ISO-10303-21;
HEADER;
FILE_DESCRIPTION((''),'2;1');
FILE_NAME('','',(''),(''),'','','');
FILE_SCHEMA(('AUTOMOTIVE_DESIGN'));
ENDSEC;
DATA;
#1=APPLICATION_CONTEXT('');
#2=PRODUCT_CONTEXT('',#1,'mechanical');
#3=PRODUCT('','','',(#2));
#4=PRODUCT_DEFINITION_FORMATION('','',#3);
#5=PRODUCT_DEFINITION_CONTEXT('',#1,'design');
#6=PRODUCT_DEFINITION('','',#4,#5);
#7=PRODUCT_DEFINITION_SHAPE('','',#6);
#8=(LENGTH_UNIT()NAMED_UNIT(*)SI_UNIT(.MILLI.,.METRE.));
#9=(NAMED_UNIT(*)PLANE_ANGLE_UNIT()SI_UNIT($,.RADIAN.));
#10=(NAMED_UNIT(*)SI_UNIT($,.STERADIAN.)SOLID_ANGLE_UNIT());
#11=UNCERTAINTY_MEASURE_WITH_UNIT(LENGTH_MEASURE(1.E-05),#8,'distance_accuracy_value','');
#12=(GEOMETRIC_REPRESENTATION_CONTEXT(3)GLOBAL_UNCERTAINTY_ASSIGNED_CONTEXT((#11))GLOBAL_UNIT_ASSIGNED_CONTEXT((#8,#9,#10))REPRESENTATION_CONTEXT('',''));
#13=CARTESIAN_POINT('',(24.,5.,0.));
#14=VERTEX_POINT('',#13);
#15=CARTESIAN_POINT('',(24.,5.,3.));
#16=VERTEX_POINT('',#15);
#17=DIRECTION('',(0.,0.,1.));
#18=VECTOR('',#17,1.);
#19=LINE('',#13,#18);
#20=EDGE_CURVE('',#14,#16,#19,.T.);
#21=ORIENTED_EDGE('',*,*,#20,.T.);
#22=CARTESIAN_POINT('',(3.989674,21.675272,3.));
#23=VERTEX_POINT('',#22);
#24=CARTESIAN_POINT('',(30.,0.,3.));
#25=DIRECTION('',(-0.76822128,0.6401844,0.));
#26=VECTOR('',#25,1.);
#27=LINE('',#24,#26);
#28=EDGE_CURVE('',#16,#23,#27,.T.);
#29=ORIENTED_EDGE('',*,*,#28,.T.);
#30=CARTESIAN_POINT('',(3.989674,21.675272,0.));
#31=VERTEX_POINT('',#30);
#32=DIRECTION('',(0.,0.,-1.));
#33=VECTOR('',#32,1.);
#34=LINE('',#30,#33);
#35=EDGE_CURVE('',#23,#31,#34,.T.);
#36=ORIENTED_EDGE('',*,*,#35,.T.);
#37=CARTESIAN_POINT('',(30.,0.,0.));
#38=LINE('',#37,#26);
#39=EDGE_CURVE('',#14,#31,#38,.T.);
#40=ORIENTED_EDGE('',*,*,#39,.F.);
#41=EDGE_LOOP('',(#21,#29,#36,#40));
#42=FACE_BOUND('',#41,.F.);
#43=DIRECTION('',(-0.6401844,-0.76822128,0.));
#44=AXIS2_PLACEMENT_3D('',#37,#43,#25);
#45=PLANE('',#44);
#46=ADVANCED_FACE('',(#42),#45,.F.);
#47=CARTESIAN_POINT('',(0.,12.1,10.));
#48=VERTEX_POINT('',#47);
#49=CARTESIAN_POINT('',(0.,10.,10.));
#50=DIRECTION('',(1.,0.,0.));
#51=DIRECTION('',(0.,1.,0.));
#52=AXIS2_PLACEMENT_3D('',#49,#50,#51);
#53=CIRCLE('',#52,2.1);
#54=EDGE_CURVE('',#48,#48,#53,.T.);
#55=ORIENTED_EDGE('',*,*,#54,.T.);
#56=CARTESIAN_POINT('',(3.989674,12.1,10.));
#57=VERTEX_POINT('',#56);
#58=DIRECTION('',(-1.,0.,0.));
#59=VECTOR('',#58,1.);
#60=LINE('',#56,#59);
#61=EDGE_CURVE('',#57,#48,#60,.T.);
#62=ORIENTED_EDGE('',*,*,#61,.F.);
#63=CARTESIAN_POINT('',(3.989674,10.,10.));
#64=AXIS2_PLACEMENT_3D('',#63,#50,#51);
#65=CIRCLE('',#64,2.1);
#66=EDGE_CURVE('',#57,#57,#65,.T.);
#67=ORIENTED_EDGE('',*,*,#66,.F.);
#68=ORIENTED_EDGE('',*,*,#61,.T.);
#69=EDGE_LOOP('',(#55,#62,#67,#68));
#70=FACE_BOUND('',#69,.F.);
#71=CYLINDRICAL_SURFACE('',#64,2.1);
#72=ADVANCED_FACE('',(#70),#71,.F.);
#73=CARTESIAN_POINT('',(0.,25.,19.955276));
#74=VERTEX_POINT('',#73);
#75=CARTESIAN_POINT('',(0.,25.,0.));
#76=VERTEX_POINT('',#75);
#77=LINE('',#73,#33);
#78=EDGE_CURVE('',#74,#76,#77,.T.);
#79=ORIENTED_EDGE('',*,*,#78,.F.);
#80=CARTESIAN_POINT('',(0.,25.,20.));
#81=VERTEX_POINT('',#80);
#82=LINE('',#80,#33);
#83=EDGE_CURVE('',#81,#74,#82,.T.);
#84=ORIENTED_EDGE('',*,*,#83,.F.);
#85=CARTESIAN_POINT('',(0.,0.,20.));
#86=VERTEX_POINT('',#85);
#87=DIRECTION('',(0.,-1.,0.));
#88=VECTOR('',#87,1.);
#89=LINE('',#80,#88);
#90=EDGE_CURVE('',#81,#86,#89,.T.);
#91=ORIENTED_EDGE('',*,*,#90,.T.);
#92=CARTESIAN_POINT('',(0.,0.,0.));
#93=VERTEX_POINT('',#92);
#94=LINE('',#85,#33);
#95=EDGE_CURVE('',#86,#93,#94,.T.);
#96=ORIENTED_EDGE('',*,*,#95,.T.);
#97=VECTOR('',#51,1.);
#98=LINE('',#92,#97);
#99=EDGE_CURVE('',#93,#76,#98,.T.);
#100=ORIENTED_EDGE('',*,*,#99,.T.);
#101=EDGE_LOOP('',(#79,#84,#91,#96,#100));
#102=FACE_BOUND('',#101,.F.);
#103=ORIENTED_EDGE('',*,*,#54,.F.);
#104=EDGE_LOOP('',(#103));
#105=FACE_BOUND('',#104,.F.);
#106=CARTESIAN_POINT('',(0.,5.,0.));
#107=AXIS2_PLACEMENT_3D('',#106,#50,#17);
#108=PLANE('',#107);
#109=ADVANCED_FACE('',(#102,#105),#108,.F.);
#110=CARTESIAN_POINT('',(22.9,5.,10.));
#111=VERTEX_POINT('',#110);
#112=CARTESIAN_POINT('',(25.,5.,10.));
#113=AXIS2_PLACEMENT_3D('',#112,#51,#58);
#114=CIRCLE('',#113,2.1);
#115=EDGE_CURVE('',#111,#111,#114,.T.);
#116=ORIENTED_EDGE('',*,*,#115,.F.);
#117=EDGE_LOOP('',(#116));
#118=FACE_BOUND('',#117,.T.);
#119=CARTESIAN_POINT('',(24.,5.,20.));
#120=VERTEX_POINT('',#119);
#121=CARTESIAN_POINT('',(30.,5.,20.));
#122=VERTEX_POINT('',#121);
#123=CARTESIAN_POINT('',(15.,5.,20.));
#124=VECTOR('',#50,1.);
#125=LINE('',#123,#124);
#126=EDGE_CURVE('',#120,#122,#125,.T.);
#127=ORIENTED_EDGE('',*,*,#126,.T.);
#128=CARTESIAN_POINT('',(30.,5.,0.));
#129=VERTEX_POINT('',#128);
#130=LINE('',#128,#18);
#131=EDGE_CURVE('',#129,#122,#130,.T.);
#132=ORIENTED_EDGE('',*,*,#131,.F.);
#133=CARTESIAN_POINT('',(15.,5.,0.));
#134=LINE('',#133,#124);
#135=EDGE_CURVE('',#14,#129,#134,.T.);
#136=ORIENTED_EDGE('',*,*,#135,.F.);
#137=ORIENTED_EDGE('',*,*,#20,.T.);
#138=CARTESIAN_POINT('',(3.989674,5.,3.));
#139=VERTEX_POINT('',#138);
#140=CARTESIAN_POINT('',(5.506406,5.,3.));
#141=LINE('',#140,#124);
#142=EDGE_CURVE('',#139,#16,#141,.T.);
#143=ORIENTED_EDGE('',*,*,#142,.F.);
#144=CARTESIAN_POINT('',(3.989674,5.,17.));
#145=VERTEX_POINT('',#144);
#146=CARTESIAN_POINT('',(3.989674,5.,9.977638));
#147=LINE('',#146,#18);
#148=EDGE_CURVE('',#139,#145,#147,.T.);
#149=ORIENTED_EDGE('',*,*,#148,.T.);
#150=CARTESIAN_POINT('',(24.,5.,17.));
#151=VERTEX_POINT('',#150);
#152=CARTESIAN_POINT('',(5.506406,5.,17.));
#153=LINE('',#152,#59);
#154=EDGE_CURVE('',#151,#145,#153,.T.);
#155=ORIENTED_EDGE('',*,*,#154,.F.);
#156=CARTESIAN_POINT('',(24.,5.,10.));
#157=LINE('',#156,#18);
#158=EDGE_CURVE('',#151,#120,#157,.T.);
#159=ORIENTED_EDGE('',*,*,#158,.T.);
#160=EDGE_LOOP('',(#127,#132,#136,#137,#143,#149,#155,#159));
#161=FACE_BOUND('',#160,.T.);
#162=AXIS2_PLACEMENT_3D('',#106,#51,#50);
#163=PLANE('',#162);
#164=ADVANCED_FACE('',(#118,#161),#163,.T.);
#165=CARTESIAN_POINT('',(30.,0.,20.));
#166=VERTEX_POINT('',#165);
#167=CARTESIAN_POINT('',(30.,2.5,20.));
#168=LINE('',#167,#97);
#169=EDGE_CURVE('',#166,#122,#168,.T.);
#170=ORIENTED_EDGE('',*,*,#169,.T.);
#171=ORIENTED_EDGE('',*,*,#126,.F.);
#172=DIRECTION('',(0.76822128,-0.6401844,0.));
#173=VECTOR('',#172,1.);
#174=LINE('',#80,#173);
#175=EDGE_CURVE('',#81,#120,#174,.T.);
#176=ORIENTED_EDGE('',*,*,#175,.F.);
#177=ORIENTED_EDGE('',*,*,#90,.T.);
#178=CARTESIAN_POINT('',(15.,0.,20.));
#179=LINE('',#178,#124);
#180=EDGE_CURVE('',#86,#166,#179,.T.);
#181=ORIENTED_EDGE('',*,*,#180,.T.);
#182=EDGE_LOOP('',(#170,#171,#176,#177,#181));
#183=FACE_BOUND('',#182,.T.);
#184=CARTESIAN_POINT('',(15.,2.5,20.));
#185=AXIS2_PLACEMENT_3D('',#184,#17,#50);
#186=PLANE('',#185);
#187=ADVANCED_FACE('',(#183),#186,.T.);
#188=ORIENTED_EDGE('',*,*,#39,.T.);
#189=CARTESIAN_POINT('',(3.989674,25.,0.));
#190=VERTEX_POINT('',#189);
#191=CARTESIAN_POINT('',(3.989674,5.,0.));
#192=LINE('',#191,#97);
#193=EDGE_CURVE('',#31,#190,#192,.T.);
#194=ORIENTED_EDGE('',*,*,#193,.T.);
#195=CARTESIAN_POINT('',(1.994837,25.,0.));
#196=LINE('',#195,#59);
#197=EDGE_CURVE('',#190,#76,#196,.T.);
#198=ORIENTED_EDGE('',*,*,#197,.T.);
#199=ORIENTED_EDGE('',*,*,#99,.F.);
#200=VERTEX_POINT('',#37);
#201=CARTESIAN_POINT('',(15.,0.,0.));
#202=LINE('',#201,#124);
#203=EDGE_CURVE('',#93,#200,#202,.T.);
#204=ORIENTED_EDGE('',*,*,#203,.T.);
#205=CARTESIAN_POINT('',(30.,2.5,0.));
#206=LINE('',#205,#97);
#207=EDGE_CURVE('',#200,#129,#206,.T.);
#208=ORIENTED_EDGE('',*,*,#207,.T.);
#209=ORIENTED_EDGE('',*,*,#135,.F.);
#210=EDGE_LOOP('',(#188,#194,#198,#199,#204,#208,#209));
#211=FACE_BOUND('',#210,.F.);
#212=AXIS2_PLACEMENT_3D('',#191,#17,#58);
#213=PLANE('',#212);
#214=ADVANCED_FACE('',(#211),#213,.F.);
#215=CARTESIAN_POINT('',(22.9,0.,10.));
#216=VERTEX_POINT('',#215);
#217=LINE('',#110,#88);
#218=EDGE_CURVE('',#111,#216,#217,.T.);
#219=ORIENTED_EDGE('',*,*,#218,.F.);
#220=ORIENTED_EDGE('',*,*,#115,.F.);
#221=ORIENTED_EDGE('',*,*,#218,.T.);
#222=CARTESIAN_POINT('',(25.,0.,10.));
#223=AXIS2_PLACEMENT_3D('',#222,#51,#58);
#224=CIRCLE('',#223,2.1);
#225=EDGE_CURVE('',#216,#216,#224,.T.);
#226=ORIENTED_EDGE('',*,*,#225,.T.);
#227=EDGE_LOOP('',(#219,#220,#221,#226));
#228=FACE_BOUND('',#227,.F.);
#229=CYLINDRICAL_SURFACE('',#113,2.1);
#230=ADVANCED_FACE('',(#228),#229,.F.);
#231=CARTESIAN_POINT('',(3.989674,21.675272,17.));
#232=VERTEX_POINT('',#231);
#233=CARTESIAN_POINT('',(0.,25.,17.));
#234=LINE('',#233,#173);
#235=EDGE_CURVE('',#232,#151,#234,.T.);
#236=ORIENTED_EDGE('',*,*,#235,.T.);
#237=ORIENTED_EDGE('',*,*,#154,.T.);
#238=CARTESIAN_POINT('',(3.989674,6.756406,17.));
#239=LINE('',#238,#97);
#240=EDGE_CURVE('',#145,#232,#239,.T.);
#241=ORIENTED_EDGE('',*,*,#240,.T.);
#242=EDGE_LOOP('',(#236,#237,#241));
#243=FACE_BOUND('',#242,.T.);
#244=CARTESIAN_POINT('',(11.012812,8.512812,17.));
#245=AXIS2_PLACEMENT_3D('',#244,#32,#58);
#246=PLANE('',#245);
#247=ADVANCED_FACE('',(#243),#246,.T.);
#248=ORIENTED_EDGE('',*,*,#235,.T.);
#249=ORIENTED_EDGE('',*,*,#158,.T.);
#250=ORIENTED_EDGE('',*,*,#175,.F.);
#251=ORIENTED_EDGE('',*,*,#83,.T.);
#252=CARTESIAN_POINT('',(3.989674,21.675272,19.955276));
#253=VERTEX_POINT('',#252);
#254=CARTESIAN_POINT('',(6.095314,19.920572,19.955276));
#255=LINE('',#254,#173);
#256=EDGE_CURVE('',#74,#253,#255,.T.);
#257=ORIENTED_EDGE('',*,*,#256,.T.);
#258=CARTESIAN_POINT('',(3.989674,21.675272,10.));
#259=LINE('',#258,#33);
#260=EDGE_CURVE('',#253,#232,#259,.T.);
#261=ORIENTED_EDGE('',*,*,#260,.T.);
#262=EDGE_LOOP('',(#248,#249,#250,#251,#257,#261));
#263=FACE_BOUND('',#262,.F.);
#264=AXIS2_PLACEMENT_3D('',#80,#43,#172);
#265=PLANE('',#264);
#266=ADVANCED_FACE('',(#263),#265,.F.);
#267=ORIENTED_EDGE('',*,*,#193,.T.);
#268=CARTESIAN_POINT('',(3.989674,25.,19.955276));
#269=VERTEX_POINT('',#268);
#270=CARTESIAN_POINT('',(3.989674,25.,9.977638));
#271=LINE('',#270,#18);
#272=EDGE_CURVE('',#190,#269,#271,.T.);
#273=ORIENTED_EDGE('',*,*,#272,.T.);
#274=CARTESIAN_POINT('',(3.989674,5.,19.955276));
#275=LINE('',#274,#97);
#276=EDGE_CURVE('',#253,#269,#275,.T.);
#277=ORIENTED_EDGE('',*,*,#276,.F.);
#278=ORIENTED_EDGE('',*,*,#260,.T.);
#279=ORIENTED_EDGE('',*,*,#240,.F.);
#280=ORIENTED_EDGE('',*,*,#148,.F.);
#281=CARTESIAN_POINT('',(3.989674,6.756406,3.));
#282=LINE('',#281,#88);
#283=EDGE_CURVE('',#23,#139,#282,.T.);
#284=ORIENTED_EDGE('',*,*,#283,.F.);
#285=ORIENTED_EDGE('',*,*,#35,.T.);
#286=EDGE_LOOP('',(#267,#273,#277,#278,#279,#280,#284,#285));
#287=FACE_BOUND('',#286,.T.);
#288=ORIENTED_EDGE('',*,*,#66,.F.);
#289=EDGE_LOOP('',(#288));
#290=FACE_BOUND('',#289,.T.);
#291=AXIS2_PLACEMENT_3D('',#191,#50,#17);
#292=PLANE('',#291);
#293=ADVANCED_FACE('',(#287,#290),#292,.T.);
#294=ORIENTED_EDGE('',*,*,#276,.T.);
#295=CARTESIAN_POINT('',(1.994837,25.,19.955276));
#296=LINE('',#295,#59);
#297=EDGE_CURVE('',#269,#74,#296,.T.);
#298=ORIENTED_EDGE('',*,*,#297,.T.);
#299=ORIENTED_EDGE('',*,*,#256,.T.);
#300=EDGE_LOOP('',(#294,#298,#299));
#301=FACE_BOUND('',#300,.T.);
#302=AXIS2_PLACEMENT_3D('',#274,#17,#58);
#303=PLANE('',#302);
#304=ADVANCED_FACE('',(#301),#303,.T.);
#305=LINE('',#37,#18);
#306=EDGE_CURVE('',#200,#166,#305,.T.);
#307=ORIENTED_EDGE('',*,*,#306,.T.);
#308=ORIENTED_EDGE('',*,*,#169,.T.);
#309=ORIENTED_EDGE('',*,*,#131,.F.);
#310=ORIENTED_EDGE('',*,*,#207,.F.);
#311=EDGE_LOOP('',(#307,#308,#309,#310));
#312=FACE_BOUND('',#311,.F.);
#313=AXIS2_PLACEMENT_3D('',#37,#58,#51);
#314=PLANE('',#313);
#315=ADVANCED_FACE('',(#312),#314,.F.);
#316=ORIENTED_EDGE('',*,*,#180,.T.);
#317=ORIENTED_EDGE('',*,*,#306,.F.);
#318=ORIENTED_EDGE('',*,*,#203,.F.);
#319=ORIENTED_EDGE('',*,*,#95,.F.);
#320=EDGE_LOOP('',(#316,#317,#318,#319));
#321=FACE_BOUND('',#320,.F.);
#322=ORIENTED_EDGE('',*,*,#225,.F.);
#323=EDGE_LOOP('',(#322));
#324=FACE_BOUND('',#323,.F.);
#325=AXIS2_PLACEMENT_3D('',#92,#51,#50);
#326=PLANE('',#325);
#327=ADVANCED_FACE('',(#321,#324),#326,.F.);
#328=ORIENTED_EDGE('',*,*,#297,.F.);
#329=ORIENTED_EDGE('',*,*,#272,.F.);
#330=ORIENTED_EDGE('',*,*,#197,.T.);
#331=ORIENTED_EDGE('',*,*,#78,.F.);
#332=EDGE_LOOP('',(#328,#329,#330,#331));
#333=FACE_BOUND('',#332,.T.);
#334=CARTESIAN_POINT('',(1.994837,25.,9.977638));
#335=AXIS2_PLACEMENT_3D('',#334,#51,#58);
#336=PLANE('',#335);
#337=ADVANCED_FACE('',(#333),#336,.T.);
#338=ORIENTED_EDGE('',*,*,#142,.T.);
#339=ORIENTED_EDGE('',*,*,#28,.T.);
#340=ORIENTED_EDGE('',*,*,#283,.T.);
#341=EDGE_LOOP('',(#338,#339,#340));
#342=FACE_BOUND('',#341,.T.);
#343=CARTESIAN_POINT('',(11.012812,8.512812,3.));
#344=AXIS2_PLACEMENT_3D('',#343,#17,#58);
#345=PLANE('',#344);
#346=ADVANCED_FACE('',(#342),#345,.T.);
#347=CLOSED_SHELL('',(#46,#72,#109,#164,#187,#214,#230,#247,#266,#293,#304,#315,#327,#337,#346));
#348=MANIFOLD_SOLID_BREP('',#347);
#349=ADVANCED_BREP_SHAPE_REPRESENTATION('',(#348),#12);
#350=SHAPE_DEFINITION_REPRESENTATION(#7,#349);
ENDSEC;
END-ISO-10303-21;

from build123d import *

# Parameters (mm, degrees)
SKETCH_W        = 30
SKETCH_H        = 5
PAD_DEPTH       = 20
SKETCH001_W     = 3.989674
SKETCH001_H     = 19.955276
PAD001_DEPTH    = 20
PAD002_DEPTH    = 3
PAD003_DEPTH    = 3
SKETCH004_R     = 2.1
POCKET_DEPTH    = 10
SKETCH005_R     = 2.1
POCKET001_DEPTH = 8


with BuildPart() as part:
    # Sketch → Pad (new body)
    with BuildSketch(Plane.XY):
        with Locations((15, 2.5)):
            Rectangle(SKETCH_W, SKETCH_H)
    extrude(amount=PAD_DEPTH)

    # Sketch001 (on Face3 of Pad) → Pad001 (join)
    with BuildSketch(Plane(origin=(0, 5, 0), x_dir=(-1, 0, 0), z_dir=(0, 1, 0))):
        with Locations((-1.994837, 9.977638)):
            Rectangle(SKETCH001_W, SKETCH001_H)
    extrude(amount=PAD001_DEPTH)

    # Sketch002 (on DatumPlane) → Pad002 (join)
    with BuildSketch(Plane(origin=(0, 0, 0), x_dir=(1, 0, 0), z_dir=(0, 0, -1))):
        Polygon((0, 0), (30, 0), (0, -25), align=None)
    extrude(amount=-PAD002_DEPTH)

    # Sketch003 (on DatumPlane) → Pad003 (join)
    with BuildSketch(Plane.XY.offset(20)):
        Polygon((0, 0), (0, 25), (30, 0), align=None)
    extrude(amount=-PAD003_DEPTH)

    # Sketch004 (on Face19 of Pad003) → Pocket (cut)
    with BuildSketch(Plane.YZ.offset(3.989674)):
        with Locations((10, 10)):
            Circle(SKETCH004_R)
    extrude(amount=-POCKET_DEPTH, mode=Mode.SUBTRACT)

    # Sketch005 (on Face10 of Pocket) → Pocket001 (cut)
    with BuildSketch(Plane(origin=(0, 5, 0), x_dir=(-1, 0, 0), z_dir=(0, 1, 0))):
        with Locations((-25, 10)):
            Circle(SKETCH005_R)
    extrude(amount=-POCKET001_DEPTH, mode=Mode.SUBTRACT)


solid = part.part
